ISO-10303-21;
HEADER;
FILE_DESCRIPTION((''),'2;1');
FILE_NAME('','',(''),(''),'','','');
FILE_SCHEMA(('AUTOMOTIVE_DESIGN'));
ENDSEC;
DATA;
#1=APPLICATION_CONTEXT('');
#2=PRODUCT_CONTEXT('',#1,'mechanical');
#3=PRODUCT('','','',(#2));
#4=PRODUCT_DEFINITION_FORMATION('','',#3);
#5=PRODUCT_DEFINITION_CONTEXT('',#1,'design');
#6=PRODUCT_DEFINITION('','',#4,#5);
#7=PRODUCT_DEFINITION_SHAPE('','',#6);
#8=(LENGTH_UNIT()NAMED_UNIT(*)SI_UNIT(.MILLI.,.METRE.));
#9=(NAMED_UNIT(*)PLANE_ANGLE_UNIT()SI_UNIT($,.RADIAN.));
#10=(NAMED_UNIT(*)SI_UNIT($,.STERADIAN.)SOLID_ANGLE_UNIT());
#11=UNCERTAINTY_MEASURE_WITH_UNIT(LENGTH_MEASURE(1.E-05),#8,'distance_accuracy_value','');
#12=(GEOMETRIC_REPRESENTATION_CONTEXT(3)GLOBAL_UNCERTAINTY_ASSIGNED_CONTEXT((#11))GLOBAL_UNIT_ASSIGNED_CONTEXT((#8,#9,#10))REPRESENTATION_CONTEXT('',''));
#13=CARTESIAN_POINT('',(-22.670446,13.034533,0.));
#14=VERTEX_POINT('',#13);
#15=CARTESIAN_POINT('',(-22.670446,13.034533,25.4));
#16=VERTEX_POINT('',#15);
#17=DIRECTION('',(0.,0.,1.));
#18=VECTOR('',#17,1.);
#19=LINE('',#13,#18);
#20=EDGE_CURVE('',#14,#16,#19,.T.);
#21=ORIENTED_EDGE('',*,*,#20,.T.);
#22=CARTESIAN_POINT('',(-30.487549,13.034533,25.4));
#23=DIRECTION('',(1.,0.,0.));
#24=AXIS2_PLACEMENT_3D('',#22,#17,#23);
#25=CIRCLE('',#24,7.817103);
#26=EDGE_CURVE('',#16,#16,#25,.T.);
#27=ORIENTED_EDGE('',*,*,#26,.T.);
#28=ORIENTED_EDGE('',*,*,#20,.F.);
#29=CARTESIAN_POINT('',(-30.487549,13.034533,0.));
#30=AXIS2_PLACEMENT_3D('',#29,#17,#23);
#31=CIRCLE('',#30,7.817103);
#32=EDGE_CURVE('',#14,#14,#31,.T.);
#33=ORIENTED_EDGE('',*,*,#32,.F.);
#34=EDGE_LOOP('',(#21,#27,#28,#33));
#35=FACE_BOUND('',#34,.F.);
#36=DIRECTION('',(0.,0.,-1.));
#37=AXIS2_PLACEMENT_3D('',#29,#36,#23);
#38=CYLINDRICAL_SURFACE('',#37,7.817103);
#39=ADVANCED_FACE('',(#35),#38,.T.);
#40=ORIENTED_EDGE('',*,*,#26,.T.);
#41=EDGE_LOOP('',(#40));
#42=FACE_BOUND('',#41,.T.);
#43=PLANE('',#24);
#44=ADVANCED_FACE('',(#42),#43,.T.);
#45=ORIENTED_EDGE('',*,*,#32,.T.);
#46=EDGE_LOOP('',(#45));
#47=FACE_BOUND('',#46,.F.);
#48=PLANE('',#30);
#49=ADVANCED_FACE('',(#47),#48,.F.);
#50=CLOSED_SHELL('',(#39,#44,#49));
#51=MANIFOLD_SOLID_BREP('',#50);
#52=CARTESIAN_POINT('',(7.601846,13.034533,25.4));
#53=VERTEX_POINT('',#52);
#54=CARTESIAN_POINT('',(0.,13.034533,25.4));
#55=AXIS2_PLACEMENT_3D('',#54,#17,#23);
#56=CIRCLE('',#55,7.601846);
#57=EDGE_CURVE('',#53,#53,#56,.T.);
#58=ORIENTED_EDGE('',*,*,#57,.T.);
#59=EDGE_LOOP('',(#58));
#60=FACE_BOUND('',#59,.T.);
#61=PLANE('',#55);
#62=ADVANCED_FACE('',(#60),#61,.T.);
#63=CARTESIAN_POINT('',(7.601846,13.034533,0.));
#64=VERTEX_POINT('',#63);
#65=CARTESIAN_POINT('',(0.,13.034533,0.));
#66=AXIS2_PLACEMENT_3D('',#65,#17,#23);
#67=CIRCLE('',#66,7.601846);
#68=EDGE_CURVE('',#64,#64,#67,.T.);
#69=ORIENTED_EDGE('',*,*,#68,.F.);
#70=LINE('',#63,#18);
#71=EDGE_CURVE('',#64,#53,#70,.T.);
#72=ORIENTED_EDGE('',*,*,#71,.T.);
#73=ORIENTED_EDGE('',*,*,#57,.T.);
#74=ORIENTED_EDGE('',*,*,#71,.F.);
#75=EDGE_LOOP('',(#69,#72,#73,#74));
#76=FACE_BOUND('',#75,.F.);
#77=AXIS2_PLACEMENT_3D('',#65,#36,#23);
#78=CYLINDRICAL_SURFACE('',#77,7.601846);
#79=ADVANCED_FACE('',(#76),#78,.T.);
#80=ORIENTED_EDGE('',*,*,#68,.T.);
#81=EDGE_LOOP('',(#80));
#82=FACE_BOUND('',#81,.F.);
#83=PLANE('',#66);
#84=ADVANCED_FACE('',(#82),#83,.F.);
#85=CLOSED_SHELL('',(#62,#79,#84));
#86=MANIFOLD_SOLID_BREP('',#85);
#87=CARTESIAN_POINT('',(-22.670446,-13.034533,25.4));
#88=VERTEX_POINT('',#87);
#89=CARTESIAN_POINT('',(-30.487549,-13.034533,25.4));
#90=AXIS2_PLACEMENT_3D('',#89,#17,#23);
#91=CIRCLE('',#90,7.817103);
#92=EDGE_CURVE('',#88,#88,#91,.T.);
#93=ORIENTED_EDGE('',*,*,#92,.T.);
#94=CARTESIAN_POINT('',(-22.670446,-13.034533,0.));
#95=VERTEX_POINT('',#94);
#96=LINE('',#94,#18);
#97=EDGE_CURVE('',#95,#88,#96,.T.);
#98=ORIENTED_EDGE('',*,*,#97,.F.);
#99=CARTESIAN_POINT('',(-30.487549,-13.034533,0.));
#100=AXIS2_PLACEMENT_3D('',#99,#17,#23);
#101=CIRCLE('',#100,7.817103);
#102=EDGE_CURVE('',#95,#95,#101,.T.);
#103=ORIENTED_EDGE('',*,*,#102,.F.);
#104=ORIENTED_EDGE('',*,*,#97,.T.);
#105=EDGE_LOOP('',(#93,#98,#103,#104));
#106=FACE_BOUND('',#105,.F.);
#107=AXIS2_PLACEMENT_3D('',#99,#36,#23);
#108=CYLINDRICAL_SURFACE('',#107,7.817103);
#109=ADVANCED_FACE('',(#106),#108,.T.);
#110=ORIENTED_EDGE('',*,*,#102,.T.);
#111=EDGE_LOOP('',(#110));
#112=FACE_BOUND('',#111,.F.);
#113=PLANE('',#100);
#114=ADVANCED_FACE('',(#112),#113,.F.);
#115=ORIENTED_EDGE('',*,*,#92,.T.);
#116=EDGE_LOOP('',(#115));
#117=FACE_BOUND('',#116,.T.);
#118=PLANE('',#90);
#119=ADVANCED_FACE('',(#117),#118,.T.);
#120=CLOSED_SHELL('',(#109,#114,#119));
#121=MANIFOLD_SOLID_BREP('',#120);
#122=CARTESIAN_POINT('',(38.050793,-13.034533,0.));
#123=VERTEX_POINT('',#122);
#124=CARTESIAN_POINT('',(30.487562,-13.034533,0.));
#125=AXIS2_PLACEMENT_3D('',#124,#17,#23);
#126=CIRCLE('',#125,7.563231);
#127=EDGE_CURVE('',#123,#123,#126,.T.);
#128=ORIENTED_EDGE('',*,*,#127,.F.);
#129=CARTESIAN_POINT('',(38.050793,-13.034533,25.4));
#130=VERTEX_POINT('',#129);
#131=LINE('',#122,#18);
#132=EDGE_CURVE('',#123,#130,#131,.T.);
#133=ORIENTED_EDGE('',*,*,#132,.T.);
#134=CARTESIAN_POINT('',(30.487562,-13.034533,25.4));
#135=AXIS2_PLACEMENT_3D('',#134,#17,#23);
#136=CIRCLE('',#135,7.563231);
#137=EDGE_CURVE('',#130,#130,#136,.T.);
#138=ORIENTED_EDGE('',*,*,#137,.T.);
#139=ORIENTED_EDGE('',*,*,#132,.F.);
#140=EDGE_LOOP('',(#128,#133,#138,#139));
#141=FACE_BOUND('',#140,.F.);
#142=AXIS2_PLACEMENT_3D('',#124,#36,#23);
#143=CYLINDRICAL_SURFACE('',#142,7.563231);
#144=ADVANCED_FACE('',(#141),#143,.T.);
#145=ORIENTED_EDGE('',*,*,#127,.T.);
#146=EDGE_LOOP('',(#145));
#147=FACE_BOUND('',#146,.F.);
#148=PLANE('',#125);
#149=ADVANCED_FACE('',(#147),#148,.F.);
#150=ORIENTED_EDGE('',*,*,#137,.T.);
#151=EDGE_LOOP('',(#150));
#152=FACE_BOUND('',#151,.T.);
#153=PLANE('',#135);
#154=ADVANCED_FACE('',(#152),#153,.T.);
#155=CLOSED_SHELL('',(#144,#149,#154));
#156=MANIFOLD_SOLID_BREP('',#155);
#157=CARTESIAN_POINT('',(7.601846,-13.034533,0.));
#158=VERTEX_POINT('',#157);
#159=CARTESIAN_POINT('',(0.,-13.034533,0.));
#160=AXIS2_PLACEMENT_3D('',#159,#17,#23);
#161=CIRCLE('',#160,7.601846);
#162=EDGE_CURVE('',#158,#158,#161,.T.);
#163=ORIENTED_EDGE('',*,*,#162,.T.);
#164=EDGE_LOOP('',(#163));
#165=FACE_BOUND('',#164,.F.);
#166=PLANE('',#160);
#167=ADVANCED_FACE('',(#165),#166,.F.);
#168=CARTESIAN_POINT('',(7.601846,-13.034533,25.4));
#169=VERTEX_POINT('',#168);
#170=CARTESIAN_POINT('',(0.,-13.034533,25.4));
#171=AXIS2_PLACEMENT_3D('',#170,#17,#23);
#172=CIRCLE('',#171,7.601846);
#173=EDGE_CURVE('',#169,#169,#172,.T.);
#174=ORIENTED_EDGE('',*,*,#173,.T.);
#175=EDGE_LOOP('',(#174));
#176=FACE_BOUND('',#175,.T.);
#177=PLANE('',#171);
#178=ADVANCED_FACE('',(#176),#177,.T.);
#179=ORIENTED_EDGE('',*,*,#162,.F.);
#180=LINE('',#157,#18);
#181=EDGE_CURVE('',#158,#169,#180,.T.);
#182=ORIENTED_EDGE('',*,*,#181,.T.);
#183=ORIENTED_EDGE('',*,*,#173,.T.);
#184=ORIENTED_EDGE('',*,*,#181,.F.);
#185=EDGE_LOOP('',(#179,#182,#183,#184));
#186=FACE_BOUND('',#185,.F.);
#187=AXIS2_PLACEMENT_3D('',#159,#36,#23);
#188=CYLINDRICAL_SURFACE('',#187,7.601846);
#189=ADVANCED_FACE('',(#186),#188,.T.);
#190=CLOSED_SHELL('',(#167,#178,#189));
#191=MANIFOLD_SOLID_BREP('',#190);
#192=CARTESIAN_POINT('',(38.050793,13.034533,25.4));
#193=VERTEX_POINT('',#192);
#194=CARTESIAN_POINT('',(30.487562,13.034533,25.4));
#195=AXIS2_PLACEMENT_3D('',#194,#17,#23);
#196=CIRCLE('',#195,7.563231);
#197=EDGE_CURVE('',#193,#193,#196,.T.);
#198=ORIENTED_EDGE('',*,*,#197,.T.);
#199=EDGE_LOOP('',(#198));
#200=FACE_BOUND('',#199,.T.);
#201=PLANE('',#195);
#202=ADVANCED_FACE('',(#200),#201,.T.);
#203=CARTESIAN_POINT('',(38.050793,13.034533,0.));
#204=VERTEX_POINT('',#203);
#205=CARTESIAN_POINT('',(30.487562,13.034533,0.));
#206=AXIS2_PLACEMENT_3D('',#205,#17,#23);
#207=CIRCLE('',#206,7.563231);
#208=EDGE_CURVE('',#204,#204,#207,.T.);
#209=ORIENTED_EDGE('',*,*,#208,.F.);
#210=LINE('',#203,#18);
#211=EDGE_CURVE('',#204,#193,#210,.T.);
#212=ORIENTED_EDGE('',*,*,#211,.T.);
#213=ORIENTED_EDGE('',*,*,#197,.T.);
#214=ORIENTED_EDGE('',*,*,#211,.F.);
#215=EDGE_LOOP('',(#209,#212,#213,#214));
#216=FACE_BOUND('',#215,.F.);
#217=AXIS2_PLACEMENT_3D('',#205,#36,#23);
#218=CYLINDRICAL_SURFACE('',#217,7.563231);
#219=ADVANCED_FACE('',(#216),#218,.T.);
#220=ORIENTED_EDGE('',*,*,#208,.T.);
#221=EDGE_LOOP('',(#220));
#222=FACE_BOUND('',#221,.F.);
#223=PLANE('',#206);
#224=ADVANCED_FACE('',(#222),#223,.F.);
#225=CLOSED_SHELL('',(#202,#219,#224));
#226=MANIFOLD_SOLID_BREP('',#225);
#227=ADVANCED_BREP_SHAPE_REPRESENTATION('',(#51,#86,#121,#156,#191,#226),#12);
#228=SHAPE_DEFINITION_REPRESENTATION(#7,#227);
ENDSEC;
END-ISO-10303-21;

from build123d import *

# Parameters (mm, degrees)
F0_R     = 7.563231
F0_R_2   = 7.601846
F0_R_3   = 7.817103
F1_DEPTH = 25.4


with BuildPart() as f1:
    # F0 (on Top) → F1 (new body)
    with BuildSketch(Plane.XY):
        with Locations((30.487562, -13.034533)):
            Circle(F0_R)
        with Locations((0, -13.034533)):
            Circle(F0_R_2)
        with Locations((-30.487549, -13.034533)):
            Circle(F0_R_3)
        with Locations((-30.487549, 13.034533)):
            Circle(F0_R_3)
        with Locations((0, 13.034533)):
            Circle(F0_R_2)
        with Locations((30.487562, 13.034533)):
            Circle(F0_R)
    extrude(amount=F1_DEPTH)


solid = f1.part
